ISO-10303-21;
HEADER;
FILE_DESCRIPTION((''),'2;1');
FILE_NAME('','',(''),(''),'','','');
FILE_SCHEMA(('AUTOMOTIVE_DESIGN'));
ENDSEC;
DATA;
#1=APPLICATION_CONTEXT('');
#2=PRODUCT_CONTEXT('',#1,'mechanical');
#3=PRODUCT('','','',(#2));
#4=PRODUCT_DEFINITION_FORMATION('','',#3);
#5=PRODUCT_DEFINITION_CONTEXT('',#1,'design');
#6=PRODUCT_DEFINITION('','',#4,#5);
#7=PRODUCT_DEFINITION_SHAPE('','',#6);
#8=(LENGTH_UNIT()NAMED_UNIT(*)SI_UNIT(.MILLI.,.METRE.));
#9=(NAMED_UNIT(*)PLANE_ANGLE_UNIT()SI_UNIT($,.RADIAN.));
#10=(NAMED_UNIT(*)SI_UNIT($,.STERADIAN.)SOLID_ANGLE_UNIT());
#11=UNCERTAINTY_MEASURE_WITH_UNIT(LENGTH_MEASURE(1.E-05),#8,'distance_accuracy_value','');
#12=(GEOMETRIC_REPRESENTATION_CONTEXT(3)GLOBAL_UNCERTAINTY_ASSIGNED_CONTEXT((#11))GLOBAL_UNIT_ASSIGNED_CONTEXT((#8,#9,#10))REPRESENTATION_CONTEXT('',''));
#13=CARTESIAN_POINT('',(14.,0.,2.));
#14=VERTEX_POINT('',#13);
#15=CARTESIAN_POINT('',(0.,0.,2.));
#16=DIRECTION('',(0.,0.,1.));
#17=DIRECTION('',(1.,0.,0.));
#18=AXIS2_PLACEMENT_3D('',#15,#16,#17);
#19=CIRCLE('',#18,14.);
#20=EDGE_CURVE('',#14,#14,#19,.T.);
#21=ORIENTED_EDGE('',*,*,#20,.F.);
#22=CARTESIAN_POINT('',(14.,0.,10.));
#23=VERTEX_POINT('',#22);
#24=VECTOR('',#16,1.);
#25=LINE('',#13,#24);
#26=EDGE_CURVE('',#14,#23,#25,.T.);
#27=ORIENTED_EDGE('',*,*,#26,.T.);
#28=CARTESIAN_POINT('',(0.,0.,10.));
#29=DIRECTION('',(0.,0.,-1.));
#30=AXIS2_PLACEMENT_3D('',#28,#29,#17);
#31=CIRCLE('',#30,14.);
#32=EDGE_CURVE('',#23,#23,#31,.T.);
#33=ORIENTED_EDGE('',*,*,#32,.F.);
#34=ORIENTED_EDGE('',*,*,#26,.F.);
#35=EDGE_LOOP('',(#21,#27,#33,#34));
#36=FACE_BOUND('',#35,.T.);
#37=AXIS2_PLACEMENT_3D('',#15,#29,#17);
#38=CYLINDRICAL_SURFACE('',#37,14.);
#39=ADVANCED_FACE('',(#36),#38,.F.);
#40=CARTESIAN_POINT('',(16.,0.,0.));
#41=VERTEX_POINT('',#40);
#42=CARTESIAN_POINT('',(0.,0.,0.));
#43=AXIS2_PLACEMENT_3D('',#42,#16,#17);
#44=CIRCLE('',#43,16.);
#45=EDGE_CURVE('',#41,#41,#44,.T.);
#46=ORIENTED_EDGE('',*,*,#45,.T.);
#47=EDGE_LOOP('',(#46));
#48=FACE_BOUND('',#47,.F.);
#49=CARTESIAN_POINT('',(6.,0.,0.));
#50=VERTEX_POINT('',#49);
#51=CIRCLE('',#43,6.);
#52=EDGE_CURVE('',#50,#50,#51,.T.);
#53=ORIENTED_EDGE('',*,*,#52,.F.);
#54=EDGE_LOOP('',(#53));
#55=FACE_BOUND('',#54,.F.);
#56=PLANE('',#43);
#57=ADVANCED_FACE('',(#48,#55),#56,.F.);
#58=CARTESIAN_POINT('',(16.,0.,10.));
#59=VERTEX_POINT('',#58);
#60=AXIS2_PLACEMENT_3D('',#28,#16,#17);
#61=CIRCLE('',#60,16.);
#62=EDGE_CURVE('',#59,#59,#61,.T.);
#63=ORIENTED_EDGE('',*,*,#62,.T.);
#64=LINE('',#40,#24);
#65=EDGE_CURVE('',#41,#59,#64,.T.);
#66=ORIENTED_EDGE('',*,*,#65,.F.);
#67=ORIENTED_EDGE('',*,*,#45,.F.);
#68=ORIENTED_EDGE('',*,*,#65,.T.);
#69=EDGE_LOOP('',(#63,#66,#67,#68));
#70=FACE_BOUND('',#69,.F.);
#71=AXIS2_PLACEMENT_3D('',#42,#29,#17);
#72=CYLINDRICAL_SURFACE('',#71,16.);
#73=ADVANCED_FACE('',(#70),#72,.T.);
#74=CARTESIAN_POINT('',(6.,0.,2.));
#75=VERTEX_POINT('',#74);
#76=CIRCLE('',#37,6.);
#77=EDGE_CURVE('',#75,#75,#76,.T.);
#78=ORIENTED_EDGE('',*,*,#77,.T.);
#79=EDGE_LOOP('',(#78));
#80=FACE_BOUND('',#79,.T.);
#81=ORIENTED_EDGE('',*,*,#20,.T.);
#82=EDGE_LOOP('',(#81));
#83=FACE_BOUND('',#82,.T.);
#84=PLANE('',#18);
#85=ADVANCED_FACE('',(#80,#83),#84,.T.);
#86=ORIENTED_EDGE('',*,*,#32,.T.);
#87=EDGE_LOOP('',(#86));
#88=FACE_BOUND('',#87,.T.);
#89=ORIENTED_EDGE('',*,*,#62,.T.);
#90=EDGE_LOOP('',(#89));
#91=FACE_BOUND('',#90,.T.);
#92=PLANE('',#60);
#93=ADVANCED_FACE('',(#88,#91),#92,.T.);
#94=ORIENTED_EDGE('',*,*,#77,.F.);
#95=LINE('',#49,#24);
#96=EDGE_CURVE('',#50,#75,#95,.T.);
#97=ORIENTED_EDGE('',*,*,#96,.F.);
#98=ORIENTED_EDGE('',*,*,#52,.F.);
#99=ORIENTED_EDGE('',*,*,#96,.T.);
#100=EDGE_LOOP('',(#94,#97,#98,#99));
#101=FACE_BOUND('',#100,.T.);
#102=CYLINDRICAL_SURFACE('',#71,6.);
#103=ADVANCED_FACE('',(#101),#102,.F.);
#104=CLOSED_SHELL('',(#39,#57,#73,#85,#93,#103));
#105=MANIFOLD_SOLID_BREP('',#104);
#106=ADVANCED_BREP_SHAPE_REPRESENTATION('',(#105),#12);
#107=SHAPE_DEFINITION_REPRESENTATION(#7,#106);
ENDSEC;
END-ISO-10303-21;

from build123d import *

# Parameters (mm, degrees)
CYLINDER002_R     = 6
CYLINDER002_DEPTH = 10
CYLINDER_R        = 14
CYLINDER_DEPTH    = 13
CYLINDER001_R     = 16
CYLINDER001_DEPTH = 10


with BuildPart() as cylinder002:
    # Cylinder002 → Cylinder002 (new body)
    with BuildSketch(Plane.XY):
        Circle(CYLINDER002_R)
    extrude(amount=CYLINDER002_DEPTH)


with BuildPart() as cylinder:
    # Cylinder → Cylinder (new body)
    with BuildSketch(Plane.XY.offset(2)):
        Circle(CYLINDER_R)
    extrude(amount=CYLINDER_DEPTH)


with BuildPart() as cut001:
    # Cylinder001 → Cylinder001 (new body)
    with BuildSketch(Plane.XY):
        Circle(CYLINDER001_R)
    extrude(amount=CYLINDER001_DEPTH)

    # Cut: cut Cylinder
    add(cylinder.part, mode=Mode.SUBTRACT)

    # Cut001: cut Cylinder002
    add(cylinder002.part, mode=Mode.SUBTRACT)


solid = cut001.part
